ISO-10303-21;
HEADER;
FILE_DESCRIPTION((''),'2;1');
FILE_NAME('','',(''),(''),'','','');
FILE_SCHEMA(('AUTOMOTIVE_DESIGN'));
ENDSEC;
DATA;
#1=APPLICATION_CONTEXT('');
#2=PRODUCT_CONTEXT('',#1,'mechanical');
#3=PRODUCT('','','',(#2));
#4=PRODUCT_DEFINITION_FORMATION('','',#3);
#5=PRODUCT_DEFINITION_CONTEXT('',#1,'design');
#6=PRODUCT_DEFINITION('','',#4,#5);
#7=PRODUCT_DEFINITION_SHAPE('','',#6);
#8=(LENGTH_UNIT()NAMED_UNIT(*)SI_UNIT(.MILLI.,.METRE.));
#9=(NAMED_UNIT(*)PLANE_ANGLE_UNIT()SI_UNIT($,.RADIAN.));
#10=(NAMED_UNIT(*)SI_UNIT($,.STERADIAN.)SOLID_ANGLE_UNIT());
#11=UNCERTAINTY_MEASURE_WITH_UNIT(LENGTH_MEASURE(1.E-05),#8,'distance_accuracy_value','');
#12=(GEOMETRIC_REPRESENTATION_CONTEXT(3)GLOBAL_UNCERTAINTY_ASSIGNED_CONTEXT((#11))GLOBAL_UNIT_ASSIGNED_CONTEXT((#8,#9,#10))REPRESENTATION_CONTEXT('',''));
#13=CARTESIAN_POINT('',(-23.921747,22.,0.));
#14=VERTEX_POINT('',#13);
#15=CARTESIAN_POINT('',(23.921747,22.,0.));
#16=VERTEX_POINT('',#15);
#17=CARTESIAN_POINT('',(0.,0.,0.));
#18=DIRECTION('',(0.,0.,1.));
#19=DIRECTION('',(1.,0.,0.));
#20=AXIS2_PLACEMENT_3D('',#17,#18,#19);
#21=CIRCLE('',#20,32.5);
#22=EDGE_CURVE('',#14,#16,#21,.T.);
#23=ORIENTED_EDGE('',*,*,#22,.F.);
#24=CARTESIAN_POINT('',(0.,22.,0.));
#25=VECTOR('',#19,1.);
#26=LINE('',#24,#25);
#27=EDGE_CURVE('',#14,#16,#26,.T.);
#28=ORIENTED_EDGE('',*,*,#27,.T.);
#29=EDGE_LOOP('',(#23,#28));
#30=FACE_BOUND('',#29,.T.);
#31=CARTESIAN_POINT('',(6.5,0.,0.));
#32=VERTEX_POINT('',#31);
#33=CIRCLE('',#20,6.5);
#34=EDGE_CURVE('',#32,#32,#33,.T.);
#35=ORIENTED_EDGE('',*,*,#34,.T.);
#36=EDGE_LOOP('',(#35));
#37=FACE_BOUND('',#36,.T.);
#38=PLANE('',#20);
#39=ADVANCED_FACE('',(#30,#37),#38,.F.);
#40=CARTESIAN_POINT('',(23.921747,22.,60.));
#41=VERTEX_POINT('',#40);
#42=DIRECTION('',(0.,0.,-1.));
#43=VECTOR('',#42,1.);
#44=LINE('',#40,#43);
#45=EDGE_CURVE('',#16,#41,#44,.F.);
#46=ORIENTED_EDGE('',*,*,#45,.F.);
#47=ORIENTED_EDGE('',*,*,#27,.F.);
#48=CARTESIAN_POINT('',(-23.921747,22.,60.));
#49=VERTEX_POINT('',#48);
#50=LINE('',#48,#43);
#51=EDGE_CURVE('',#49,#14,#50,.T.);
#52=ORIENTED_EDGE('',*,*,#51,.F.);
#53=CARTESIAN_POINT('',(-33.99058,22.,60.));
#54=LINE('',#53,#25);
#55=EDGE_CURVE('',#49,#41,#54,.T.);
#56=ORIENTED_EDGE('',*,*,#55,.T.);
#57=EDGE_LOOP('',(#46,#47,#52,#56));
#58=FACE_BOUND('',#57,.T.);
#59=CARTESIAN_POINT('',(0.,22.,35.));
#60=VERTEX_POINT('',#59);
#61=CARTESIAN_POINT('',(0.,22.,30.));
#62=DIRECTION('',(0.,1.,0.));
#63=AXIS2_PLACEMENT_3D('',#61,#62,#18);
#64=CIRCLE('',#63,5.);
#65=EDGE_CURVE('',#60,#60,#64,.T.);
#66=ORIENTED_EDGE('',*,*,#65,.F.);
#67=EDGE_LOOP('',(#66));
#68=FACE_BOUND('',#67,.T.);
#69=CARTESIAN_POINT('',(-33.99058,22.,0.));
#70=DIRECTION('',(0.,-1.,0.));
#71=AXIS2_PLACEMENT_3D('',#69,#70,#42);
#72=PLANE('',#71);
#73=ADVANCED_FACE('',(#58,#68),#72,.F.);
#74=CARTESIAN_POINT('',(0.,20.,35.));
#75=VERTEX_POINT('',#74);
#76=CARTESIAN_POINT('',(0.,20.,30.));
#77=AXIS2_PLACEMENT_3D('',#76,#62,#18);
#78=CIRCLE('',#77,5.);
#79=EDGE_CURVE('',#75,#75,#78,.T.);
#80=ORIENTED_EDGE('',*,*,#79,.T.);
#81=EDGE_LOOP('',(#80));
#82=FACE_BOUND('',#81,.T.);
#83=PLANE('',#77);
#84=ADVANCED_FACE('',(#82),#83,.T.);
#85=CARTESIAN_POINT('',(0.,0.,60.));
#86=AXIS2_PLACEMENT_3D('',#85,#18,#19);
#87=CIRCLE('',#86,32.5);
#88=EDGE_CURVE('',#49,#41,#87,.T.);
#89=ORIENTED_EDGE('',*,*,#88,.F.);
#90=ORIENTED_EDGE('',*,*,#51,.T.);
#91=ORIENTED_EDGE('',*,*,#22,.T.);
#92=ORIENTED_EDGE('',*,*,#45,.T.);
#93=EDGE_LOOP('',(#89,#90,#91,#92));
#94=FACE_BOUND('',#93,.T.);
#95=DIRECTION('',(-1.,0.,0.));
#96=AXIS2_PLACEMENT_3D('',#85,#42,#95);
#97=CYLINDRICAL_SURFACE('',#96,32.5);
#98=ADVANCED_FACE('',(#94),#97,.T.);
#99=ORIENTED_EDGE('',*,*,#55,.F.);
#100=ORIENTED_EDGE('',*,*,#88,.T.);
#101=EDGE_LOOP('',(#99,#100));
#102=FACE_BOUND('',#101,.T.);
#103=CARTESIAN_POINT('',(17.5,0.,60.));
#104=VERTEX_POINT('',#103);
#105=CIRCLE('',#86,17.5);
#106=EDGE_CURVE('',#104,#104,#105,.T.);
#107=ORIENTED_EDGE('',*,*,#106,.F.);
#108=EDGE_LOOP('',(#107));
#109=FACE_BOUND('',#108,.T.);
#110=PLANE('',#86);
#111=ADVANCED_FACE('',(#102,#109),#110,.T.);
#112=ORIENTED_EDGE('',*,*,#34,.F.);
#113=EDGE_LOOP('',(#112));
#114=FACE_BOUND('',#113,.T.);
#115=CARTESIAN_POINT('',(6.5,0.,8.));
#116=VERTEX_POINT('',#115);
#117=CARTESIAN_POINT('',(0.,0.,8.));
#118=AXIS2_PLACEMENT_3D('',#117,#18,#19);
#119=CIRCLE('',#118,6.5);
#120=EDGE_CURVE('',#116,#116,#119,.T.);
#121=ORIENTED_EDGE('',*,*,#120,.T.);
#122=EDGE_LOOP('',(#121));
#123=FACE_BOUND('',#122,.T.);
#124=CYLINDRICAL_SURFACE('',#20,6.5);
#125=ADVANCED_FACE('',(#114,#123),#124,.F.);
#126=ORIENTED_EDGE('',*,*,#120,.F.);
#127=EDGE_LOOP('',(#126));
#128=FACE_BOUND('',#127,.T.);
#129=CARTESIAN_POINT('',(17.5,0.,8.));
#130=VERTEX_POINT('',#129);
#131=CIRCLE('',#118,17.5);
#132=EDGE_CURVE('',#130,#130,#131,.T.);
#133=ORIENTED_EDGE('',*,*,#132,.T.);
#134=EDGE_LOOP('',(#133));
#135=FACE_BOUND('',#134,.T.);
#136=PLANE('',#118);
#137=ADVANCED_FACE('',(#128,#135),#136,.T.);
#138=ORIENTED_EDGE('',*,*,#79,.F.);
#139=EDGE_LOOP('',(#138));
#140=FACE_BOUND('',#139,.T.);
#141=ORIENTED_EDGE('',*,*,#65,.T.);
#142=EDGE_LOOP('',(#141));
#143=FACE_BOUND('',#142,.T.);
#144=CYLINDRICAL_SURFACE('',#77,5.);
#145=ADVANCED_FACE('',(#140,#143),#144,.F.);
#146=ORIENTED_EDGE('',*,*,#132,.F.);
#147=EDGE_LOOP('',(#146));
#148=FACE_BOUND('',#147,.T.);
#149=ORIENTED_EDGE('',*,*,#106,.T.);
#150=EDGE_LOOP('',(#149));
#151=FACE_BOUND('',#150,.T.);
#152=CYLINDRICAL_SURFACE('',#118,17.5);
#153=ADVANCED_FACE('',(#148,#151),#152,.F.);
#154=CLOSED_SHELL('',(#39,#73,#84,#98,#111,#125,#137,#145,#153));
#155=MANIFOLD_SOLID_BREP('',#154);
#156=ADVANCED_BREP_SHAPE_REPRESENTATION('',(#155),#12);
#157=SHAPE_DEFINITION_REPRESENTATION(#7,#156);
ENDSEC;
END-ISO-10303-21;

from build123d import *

# Parameters (mm, degrees)
SKETCH1_R           = 32.5
BOSS_EXTRUDE1_DEPTH = 60
SKETCH3_R           = 17.5
CUT_EXTRUDE4_DEPTH  = 52
SKETCH6_R           = 6.5
CUT_EXTRUDE5_DEPTH  = 8
SKETCH8_W           = 65.355871795
SKETCH8_H           = 11.921493712
CUT_EXTRUDE6_DEPTH  = 60
SKETCH9_R           = 5
CUT_EXTRUDE9_DEPTH  = 2


with BuildPart() as part:
    # Sketch1 → Boss-Extrude1 (new body)
    with BuildSketch(Plane.XY):
        Circle(SKETCH1_R)
    extrude(amount=BOSS_EXTRUDE1_DEPTH)

    # Sketch3 → Cut-Extrude4 (cut)
    with BuildSketch(Plane.XY.offset(60)):
        Circle(SKETCH3_R)
    extrude(amount=-CUT_EXTRUDE4_DEPTH, mode=Mode.SUBTRACT)

    # Sketch6 → Cut-Extrude5 (cut)
    with BuildSketch(Plane.XY.offset(8)):
        Circle(SKETCH6_R)
    extrude(amount=-CUT_EXTRUDE5_DEPTH, mode=Mode.SUBTRACT)

    # Sketch8 → Cut-Extrude6 (cut)
    with BuildSketch(Plane.XY.offset(60)):
        with Locations((-1.31264436, 27.960746856)):
            Rectangle(SKETCH8_W, SKETCH8_H)
    extrude(amount=-CUT_EXTRUDE6_DEPTH, mode=Mode.SUBTRACT)

    # Sketch9 → Cut-Extrude9 (cut)
    with BuildSketch(Plane(origin=(0, 22, 0), x_dir=(1, 0, 0), z_dir=(0, 1, 0))):
        with Locations(Location((0, -30, 0), (0, 0, 270))):  # turned: the seam where the file's is
            Circle(SKETCH9_R)
    extrude(amount=-CUT_EXTRUDE9_DEPTH, mode=Mode.SUBTRACT)


solid = part.part
